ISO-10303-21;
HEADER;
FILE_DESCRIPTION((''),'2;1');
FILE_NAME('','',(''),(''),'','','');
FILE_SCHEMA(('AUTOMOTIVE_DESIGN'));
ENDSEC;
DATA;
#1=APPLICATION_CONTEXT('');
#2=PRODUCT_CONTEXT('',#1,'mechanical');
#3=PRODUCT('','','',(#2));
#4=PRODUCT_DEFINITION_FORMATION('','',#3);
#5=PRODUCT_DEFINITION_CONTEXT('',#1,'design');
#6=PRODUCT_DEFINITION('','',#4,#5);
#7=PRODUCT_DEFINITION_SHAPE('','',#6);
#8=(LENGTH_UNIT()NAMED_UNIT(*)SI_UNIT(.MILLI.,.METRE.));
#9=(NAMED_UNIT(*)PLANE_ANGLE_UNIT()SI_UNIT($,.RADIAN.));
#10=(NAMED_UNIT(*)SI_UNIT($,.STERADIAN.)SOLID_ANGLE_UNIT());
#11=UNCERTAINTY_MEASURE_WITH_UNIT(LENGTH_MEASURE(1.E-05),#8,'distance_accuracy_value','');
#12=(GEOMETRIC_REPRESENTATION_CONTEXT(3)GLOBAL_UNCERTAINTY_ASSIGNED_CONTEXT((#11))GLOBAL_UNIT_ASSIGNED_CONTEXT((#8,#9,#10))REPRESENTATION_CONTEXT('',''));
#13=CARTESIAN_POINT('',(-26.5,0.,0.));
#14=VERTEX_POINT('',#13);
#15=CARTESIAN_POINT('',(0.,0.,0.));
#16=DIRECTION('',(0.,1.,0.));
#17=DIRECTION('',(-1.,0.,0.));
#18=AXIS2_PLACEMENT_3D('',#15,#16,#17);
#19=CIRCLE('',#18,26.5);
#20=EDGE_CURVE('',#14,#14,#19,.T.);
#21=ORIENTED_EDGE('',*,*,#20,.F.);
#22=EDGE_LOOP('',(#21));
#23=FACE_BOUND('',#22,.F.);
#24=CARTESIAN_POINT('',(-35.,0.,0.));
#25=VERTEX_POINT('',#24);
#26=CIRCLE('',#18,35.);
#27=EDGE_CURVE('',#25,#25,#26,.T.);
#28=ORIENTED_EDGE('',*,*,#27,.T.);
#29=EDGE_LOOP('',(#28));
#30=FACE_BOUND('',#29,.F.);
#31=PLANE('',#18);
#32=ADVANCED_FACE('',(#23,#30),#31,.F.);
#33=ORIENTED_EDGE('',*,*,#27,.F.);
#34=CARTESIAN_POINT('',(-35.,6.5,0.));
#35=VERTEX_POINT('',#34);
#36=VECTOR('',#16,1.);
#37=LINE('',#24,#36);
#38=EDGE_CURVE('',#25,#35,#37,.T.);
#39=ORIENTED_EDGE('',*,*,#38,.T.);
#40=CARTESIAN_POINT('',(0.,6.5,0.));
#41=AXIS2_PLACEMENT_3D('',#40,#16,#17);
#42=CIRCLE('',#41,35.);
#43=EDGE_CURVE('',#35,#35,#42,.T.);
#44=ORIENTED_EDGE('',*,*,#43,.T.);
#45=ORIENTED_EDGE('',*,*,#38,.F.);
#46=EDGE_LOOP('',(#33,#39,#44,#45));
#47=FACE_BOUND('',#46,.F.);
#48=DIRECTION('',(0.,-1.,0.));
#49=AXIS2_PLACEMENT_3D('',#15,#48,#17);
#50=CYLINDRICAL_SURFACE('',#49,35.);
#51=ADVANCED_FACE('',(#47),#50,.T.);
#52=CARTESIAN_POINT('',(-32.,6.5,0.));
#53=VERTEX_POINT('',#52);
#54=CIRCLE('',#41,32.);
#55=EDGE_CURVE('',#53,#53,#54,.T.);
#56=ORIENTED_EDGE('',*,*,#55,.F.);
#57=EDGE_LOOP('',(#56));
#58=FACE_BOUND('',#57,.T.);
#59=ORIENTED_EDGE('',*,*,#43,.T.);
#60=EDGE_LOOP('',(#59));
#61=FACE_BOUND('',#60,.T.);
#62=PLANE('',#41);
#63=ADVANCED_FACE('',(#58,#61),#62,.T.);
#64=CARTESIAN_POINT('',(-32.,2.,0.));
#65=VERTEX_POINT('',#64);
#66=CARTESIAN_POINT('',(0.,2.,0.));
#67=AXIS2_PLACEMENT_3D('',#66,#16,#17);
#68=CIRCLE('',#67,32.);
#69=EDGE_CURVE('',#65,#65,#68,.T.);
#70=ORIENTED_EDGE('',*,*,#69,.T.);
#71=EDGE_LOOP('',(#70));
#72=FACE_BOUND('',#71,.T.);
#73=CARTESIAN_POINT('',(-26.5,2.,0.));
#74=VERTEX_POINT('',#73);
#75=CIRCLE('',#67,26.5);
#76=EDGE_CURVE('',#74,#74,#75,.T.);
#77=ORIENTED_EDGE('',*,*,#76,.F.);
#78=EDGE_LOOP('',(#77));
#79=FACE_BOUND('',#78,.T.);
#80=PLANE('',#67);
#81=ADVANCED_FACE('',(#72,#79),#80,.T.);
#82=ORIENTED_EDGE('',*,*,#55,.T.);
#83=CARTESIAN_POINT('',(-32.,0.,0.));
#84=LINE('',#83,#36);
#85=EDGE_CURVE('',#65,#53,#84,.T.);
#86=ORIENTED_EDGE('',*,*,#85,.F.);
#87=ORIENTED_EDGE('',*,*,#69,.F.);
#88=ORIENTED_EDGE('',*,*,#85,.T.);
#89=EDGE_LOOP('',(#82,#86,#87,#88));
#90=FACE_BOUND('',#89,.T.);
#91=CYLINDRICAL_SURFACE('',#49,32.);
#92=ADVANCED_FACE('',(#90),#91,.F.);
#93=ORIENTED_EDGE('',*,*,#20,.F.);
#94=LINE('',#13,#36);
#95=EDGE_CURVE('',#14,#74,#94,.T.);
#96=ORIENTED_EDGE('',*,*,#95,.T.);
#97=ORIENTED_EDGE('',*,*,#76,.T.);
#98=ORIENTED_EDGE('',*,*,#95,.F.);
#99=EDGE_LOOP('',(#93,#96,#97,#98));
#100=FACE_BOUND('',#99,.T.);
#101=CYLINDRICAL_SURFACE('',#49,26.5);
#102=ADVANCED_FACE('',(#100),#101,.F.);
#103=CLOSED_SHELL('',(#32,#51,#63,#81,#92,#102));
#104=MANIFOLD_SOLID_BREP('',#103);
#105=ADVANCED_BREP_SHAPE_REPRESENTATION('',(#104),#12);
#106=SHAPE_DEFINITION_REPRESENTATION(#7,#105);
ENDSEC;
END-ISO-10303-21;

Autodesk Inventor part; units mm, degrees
ref_plane "YZ Plane" through (0, 0, 0) normal (1, 0, 0) x (0, 1, 0)
ref_plane "XZ Plane" through (0, 0, 0) normal (0, 1, 0) x (-1, 0, 0)
ref_plane "XY Plane" through (0, 0, 0) normal (0, 0, 1) x (1, 0, 0)
sketch "Sketch1" plane through (0, 0, 0) normal (0, 1, 0) x (-1, 0, 0)
  circle A0 centre (0, 0) radius 32
  circle A1 centre (0, 0) radius 41.5
  circle A2 centre (0, 0) radius 35
  circle A3 centre (0, 0) radius 26.5
  dimension "d0" = 64
  dimension "d1" = 83
  dimension "d2" = 3
  dimension "d5" = 53
extrude "Extrusion1" add sketch "Sketch1" along normal blind 2 contours A0
extrude "Extrusion2" add sketch "Sketch1" along normal blind 6.5 contours A2
properties part number "GFK_Unterlegring" material "Default New Material"
